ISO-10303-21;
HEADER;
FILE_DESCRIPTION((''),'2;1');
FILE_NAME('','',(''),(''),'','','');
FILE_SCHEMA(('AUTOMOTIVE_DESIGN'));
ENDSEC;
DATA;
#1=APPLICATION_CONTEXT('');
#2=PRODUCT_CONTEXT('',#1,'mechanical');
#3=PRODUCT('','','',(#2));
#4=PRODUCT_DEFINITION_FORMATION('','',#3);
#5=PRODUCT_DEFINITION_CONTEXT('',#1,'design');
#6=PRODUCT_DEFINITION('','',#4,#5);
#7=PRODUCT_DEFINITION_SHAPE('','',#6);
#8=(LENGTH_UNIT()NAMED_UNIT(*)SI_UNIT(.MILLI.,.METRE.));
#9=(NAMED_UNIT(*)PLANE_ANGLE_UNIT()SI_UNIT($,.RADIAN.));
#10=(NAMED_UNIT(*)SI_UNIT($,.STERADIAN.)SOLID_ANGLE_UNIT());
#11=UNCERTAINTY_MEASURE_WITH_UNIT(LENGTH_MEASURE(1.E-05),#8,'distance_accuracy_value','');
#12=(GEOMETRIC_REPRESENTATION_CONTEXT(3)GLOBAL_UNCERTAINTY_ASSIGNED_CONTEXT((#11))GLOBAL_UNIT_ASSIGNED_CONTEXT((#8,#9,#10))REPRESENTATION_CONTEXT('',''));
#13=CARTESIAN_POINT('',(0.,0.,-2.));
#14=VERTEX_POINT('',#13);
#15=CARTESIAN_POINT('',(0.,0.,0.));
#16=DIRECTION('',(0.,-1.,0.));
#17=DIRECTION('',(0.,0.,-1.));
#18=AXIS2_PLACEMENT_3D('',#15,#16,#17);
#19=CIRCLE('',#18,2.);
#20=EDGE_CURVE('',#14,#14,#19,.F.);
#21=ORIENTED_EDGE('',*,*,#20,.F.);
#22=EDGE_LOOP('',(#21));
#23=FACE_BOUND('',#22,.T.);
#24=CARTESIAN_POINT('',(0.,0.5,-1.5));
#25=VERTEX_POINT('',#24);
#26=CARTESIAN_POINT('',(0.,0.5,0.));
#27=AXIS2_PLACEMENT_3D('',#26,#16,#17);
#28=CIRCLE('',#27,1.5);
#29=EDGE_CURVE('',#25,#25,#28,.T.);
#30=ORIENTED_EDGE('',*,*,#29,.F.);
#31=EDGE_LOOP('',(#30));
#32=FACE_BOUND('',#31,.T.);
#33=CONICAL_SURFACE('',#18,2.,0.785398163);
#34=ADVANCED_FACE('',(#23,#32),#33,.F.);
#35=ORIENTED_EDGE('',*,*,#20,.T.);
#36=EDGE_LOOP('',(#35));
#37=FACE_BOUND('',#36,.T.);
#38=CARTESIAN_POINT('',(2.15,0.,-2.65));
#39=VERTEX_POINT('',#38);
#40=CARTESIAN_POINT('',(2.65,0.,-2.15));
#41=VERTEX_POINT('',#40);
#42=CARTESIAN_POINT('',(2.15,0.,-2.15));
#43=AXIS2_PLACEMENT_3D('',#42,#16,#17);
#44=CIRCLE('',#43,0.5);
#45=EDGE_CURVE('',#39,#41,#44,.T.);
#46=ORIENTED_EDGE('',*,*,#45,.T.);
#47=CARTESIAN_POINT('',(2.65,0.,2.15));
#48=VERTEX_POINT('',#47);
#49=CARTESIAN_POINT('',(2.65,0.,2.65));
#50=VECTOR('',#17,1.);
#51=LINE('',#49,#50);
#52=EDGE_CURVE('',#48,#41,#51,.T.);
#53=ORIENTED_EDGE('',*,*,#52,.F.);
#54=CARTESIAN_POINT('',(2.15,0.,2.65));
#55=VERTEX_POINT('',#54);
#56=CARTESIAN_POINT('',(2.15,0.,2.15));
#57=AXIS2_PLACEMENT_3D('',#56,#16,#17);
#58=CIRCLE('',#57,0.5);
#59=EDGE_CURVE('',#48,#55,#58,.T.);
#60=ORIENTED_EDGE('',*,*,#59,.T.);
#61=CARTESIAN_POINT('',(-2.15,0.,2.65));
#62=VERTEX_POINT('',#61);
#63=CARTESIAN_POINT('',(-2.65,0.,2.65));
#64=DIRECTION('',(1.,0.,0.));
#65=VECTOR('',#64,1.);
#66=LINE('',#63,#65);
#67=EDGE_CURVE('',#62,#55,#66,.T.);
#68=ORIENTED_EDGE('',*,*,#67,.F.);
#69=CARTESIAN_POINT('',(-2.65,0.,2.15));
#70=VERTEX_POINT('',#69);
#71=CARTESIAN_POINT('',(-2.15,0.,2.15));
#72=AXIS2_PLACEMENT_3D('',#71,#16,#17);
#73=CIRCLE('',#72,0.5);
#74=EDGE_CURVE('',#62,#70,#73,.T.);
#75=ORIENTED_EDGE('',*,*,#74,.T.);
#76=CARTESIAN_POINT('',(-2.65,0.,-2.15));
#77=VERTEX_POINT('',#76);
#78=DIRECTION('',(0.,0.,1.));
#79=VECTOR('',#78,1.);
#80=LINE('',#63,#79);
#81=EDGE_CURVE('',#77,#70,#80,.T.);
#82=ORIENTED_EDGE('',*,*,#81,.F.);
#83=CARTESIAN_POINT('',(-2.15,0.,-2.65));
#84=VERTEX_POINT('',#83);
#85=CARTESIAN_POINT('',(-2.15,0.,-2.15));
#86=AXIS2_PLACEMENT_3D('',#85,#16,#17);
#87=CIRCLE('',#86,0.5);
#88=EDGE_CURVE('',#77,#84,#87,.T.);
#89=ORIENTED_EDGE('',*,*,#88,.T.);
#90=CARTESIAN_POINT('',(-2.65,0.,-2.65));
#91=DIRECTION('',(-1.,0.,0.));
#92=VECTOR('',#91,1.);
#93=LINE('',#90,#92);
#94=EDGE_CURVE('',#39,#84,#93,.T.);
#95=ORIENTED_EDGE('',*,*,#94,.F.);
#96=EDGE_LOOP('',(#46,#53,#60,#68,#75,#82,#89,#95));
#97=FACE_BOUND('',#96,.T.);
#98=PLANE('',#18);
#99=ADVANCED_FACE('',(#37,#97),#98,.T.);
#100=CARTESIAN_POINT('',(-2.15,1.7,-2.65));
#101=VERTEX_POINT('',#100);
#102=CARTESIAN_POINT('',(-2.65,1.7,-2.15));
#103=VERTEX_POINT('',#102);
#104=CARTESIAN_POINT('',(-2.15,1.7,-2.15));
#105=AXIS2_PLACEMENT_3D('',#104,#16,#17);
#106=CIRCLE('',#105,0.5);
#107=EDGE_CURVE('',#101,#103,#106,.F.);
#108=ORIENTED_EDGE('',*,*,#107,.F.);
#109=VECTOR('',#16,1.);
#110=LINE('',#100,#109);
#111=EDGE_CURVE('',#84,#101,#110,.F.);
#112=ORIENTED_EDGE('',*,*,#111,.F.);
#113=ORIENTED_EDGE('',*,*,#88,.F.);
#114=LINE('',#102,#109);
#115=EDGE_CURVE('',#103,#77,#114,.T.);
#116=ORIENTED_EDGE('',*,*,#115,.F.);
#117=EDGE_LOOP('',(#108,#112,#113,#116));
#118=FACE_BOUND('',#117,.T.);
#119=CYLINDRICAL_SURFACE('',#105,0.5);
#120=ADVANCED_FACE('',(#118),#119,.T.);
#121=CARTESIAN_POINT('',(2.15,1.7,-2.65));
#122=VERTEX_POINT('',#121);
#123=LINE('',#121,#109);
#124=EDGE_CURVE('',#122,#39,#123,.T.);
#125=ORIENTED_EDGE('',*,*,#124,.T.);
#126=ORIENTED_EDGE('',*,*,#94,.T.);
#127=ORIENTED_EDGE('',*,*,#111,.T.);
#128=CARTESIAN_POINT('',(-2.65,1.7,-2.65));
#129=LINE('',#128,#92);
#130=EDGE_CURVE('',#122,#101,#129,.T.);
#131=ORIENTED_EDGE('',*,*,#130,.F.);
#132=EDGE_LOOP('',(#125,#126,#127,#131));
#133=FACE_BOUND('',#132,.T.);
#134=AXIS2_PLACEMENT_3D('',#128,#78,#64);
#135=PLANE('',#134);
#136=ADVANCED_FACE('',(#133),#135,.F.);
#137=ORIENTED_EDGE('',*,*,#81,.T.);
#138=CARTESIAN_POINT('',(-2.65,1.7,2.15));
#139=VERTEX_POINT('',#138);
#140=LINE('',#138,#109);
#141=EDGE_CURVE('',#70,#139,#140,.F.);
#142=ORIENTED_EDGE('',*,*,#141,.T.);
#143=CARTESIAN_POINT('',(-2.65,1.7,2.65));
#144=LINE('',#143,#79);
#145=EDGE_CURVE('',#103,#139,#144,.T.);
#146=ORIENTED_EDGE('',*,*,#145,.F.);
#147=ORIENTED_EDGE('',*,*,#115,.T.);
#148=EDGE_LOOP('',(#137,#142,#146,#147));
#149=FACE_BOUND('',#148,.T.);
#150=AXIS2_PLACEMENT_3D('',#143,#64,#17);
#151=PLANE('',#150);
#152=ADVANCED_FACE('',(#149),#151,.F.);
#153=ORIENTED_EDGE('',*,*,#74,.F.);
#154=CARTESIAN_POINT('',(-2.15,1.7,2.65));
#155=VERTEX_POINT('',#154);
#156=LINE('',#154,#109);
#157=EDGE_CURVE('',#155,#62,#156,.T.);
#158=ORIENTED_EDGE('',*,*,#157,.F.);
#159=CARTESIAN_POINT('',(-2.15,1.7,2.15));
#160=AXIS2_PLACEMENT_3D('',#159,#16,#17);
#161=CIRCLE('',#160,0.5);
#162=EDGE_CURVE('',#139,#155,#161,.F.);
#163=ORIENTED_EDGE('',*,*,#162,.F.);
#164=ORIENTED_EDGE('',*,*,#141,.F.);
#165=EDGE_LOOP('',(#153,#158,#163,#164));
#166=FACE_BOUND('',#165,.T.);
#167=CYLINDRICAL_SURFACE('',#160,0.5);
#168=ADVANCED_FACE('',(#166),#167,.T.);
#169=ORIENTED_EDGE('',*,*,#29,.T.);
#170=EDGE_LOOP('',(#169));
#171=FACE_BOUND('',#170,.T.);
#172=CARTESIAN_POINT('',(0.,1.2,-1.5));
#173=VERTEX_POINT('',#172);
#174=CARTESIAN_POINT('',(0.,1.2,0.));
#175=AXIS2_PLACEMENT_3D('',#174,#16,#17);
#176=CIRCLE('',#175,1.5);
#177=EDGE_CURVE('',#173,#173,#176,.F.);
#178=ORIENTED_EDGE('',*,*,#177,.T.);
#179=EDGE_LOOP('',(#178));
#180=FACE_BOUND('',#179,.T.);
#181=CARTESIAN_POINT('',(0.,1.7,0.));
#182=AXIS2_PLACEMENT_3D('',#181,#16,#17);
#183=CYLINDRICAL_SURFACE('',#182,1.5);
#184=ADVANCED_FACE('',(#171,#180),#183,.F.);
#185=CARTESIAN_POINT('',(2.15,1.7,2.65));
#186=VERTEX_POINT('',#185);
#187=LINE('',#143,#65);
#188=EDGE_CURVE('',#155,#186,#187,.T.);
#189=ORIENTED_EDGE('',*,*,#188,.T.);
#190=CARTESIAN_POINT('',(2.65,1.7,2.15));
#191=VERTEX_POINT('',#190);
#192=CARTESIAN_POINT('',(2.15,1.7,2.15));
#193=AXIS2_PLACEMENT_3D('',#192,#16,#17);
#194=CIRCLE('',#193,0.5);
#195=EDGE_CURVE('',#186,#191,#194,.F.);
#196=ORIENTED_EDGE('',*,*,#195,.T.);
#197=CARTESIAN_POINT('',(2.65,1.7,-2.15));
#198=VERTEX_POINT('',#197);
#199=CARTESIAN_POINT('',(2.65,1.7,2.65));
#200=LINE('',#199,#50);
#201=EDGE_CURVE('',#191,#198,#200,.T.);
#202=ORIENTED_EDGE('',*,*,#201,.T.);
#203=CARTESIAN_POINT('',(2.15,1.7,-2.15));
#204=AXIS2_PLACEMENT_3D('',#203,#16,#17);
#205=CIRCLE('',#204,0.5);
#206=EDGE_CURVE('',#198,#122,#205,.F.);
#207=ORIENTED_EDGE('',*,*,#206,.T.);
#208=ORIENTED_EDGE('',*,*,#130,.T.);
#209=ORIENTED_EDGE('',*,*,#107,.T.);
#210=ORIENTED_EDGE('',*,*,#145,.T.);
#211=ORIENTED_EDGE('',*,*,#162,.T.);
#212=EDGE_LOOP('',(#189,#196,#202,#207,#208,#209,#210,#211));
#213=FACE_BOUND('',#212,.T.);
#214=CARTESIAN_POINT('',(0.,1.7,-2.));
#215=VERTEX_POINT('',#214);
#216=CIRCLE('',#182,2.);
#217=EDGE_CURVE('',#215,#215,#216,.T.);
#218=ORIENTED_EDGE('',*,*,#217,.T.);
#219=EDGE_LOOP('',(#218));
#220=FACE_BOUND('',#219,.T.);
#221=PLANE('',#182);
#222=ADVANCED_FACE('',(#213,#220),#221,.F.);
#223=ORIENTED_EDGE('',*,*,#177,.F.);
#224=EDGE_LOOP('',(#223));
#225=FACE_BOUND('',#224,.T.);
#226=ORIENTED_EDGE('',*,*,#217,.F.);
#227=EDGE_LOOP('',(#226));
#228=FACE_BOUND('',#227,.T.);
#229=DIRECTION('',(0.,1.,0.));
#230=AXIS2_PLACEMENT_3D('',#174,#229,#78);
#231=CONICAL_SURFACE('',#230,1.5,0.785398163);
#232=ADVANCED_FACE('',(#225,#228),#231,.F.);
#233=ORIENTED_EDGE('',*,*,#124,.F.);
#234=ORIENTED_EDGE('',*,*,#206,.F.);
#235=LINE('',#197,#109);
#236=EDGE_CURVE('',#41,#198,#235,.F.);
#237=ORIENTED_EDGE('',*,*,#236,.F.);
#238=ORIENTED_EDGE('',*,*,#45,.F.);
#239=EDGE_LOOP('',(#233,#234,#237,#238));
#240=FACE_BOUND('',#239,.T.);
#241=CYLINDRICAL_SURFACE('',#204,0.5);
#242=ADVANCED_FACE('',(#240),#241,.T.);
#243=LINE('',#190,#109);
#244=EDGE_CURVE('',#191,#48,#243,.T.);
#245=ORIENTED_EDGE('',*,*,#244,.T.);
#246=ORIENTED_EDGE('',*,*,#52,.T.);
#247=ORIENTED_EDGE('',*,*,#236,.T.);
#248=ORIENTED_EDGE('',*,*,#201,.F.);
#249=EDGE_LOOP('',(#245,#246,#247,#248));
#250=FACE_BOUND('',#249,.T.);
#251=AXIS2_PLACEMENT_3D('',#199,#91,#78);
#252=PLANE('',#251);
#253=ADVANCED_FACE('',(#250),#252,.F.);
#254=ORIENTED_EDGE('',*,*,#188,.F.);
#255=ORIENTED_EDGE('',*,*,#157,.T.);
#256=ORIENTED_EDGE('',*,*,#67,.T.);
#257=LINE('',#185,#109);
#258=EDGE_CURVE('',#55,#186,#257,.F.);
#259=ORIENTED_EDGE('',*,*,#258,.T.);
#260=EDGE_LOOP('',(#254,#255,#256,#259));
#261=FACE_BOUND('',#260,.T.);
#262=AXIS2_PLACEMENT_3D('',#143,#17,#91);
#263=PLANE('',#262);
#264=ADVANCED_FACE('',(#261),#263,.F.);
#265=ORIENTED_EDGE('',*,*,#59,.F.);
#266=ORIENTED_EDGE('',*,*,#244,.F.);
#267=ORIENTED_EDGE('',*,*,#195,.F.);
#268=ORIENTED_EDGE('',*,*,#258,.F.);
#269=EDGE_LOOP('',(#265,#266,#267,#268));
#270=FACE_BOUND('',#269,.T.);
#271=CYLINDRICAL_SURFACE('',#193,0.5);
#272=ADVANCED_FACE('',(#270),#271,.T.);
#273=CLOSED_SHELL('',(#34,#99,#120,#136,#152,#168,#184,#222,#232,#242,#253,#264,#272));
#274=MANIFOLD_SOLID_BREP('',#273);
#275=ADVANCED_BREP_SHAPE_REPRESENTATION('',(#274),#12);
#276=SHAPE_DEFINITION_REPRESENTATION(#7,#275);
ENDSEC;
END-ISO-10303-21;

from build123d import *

# Parameters (mm, degrees)
SKETCH1_W           = 5.3
SKETCH1_H           = 5.3
SKETCH1_R           = 1.5
BOSS_EXTRUDE1_DEPTH = 1.7
FILLET1_R           = 0.5
CHAMFER1_SIZE       = 0.5


with BuildPart() as part:
    # Sketch1 → Boss-Extrude1 (new body)
    with BuildSketch(Plane(origin=(0, 0, 0), x_dir=(1, 0, 0), z_dir=(0, 1, 0))):
        Rectangle(SKETCH1_W, SKETCH1_H)
        with Locations(Location((0, 0, 0), (0, 0, 270))):
            Circle(SKETCH1_R, mode=Mode.SUBTRACT)
    extrude(amount=BOSS_EXTRUDE1_DEPTH)

    # Fillet1
    fillet1_edges = [part.edges().sort_by_distance(p)[0] for p in [
        (2.65, 0.85, 2.65),
        (-2.65, 0.85, 2.65),
        (-2.65, 0.85, -2.65),
        (2.65, 0.85, -2.65),
    ]]
    fillet(fillet1_edges, radius=FILLET1_R)

    # Chamfer1
    chamfer1_edges = [part.edges().sort_by_distance(p)[0] for p in [
        (0, 0, -1.5),
        (0, 1.7, -1.5),
    ]]
    chamfer(chamfer1_edges, length=CHAMFER1_SIZE)


solid = part.part
